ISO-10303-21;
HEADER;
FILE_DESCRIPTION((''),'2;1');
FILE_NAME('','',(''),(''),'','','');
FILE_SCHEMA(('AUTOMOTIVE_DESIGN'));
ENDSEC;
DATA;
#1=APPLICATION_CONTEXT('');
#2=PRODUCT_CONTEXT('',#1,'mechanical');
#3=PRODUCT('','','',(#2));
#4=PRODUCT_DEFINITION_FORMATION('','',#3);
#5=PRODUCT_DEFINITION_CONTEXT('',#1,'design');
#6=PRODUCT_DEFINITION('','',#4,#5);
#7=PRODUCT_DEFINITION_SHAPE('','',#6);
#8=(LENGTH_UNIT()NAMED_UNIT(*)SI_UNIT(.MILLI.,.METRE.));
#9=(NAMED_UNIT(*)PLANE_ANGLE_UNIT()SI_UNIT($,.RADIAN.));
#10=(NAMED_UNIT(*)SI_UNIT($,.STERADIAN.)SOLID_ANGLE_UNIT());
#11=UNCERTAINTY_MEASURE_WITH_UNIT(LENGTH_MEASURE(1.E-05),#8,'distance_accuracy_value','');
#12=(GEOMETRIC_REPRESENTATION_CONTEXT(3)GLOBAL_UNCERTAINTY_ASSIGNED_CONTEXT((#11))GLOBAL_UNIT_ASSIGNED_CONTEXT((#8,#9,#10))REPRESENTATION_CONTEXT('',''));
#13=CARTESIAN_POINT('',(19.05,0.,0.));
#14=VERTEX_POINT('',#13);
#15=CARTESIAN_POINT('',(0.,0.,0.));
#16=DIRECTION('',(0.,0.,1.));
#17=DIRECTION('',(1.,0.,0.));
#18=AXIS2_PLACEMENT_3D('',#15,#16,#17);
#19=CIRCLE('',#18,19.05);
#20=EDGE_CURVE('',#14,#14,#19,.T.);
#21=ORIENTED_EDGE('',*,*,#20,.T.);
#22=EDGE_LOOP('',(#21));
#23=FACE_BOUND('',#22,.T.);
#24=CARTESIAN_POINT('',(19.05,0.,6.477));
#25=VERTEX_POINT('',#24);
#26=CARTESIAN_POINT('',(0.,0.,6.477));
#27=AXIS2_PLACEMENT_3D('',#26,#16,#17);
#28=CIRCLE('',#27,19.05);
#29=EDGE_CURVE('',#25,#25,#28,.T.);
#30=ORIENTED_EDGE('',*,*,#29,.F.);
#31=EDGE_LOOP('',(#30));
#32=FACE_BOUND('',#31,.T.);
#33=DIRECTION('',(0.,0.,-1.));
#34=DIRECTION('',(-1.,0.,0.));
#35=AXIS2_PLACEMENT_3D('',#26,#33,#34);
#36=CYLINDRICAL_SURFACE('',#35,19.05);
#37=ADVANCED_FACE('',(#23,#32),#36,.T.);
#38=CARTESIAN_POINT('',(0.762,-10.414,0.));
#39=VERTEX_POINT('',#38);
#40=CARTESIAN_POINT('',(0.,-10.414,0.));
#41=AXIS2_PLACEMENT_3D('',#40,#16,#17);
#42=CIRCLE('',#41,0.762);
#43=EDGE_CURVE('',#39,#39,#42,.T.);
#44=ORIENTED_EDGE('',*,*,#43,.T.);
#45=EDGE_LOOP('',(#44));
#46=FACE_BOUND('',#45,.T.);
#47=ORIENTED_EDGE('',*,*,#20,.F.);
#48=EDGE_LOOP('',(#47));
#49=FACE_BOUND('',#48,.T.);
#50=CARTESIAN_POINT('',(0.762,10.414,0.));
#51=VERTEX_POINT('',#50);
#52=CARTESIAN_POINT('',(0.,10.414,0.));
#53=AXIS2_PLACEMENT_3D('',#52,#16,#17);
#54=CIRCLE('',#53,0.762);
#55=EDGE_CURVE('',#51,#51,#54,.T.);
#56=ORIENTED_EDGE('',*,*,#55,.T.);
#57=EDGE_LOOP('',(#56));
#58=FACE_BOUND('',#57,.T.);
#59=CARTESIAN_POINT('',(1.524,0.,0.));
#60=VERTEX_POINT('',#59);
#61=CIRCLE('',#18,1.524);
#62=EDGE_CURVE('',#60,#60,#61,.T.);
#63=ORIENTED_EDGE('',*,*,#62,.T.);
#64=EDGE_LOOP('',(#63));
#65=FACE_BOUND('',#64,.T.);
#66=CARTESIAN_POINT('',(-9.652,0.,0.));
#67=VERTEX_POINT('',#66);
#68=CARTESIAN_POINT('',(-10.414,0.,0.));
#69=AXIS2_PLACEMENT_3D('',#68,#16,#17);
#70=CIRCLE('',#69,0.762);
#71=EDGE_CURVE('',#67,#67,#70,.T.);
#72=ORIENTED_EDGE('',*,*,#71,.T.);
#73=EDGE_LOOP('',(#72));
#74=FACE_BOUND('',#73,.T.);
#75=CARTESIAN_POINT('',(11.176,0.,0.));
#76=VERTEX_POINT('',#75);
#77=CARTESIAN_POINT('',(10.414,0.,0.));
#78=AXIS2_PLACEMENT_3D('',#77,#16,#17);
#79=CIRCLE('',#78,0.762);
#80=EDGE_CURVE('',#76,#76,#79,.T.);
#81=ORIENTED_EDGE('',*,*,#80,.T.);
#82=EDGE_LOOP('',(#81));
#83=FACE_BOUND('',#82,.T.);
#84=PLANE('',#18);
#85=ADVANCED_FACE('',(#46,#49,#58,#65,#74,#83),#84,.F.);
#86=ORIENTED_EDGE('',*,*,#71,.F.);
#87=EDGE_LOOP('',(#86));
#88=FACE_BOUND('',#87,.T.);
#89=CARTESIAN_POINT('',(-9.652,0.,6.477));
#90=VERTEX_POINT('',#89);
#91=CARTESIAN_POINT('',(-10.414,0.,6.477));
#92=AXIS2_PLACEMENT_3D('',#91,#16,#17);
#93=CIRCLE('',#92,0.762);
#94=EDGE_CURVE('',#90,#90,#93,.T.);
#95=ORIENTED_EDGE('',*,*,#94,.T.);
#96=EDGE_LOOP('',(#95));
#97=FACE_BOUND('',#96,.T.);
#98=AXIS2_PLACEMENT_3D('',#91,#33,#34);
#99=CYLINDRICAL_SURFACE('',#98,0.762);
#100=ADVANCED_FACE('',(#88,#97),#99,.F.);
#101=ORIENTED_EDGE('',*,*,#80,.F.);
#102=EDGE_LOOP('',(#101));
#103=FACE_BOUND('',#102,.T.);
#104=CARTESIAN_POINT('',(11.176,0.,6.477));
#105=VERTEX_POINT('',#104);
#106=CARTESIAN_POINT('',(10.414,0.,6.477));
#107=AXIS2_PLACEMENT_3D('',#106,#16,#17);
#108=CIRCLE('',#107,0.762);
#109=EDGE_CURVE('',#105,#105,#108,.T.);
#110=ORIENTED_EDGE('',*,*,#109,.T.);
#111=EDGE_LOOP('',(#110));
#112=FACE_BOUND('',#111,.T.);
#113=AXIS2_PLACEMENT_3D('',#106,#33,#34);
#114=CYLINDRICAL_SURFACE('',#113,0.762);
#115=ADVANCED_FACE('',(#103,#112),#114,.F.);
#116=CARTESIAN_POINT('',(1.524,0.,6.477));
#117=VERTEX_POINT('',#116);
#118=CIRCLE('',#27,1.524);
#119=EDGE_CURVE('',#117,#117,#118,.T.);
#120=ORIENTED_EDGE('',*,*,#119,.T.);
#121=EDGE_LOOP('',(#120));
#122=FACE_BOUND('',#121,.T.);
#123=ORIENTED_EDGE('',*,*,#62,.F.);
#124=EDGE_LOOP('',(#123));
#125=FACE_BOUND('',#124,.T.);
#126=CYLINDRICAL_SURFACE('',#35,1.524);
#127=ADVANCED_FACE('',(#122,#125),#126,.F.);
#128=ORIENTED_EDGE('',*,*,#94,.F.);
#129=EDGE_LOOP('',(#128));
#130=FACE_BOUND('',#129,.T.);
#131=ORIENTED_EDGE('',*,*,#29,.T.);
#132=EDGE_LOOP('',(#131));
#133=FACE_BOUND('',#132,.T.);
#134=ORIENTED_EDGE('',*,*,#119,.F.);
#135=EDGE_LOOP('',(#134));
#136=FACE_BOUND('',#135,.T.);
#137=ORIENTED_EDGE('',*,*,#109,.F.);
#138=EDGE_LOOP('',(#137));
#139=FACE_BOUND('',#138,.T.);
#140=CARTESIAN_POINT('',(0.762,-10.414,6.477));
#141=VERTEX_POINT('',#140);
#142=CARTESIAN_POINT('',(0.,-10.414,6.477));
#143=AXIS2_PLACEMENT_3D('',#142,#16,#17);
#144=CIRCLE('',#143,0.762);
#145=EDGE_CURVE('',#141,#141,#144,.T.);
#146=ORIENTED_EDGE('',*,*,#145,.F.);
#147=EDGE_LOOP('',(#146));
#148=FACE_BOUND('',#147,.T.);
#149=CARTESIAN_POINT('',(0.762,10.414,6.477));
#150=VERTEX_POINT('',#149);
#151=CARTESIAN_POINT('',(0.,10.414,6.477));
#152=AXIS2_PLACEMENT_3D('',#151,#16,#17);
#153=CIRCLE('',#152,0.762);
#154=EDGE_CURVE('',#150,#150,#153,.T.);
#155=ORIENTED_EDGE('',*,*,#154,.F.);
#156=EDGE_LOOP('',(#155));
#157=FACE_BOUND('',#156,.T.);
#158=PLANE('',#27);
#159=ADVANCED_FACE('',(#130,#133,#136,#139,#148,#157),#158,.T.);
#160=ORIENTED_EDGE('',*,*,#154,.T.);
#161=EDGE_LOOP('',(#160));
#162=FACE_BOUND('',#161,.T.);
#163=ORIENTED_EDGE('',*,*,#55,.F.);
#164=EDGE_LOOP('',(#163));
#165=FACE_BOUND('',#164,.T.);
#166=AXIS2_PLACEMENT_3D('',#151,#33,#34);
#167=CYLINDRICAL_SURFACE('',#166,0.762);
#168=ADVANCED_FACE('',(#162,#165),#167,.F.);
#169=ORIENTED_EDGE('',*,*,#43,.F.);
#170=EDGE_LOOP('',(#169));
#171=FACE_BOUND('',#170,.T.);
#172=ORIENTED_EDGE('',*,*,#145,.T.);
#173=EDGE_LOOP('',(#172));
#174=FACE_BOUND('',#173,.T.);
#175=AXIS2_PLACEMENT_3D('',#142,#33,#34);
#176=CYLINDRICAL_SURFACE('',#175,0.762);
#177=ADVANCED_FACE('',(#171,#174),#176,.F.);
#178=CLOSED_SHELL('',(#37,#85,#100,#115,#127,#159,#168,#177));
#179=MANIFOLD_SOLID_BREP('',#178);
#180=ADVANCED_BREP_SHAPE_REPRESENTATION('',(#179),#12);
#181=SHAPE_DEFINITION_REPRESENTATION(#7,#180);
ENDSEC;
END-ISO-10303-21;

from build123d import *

# Parameters (mm, degrees)
SKETCH1_R           = 19.05
SKETCH1_R_2         = 1.524
SKETCH1_R_3         = 0.762
BOSS_EXTRUDE1_DEPTH = 6.477


with BuildPart() as part:
    # Sketch1 → Boss-Extrude1 (new body)
    with BuildSketch(Plane.XY):
        Circle(SKETCH1_R)
        Circle(SKETCH1_R_2, mode=Mode.SUBTRACT)
        with Locations((10.414, 0)):
            Circle(SKETCH1_R_3, mode=Mode.SUBTRACT)
        with Locations((-10.414, 0)):
            Circle(SKETCH1_R_3, mode=Mode.SUBTRACT)
        with Locations((0, 10.414)):
            Circle(SKETCH1_R_3, mode=Mode.SUBTRACT)
        with Locations((0, -10.414)):
            Circle(SKETCH1_R_3, mode=Mode.SUBTRACT)
    extrude(amount=BOSS_EXTRUDE1_DEPTH)


solid = part.part
